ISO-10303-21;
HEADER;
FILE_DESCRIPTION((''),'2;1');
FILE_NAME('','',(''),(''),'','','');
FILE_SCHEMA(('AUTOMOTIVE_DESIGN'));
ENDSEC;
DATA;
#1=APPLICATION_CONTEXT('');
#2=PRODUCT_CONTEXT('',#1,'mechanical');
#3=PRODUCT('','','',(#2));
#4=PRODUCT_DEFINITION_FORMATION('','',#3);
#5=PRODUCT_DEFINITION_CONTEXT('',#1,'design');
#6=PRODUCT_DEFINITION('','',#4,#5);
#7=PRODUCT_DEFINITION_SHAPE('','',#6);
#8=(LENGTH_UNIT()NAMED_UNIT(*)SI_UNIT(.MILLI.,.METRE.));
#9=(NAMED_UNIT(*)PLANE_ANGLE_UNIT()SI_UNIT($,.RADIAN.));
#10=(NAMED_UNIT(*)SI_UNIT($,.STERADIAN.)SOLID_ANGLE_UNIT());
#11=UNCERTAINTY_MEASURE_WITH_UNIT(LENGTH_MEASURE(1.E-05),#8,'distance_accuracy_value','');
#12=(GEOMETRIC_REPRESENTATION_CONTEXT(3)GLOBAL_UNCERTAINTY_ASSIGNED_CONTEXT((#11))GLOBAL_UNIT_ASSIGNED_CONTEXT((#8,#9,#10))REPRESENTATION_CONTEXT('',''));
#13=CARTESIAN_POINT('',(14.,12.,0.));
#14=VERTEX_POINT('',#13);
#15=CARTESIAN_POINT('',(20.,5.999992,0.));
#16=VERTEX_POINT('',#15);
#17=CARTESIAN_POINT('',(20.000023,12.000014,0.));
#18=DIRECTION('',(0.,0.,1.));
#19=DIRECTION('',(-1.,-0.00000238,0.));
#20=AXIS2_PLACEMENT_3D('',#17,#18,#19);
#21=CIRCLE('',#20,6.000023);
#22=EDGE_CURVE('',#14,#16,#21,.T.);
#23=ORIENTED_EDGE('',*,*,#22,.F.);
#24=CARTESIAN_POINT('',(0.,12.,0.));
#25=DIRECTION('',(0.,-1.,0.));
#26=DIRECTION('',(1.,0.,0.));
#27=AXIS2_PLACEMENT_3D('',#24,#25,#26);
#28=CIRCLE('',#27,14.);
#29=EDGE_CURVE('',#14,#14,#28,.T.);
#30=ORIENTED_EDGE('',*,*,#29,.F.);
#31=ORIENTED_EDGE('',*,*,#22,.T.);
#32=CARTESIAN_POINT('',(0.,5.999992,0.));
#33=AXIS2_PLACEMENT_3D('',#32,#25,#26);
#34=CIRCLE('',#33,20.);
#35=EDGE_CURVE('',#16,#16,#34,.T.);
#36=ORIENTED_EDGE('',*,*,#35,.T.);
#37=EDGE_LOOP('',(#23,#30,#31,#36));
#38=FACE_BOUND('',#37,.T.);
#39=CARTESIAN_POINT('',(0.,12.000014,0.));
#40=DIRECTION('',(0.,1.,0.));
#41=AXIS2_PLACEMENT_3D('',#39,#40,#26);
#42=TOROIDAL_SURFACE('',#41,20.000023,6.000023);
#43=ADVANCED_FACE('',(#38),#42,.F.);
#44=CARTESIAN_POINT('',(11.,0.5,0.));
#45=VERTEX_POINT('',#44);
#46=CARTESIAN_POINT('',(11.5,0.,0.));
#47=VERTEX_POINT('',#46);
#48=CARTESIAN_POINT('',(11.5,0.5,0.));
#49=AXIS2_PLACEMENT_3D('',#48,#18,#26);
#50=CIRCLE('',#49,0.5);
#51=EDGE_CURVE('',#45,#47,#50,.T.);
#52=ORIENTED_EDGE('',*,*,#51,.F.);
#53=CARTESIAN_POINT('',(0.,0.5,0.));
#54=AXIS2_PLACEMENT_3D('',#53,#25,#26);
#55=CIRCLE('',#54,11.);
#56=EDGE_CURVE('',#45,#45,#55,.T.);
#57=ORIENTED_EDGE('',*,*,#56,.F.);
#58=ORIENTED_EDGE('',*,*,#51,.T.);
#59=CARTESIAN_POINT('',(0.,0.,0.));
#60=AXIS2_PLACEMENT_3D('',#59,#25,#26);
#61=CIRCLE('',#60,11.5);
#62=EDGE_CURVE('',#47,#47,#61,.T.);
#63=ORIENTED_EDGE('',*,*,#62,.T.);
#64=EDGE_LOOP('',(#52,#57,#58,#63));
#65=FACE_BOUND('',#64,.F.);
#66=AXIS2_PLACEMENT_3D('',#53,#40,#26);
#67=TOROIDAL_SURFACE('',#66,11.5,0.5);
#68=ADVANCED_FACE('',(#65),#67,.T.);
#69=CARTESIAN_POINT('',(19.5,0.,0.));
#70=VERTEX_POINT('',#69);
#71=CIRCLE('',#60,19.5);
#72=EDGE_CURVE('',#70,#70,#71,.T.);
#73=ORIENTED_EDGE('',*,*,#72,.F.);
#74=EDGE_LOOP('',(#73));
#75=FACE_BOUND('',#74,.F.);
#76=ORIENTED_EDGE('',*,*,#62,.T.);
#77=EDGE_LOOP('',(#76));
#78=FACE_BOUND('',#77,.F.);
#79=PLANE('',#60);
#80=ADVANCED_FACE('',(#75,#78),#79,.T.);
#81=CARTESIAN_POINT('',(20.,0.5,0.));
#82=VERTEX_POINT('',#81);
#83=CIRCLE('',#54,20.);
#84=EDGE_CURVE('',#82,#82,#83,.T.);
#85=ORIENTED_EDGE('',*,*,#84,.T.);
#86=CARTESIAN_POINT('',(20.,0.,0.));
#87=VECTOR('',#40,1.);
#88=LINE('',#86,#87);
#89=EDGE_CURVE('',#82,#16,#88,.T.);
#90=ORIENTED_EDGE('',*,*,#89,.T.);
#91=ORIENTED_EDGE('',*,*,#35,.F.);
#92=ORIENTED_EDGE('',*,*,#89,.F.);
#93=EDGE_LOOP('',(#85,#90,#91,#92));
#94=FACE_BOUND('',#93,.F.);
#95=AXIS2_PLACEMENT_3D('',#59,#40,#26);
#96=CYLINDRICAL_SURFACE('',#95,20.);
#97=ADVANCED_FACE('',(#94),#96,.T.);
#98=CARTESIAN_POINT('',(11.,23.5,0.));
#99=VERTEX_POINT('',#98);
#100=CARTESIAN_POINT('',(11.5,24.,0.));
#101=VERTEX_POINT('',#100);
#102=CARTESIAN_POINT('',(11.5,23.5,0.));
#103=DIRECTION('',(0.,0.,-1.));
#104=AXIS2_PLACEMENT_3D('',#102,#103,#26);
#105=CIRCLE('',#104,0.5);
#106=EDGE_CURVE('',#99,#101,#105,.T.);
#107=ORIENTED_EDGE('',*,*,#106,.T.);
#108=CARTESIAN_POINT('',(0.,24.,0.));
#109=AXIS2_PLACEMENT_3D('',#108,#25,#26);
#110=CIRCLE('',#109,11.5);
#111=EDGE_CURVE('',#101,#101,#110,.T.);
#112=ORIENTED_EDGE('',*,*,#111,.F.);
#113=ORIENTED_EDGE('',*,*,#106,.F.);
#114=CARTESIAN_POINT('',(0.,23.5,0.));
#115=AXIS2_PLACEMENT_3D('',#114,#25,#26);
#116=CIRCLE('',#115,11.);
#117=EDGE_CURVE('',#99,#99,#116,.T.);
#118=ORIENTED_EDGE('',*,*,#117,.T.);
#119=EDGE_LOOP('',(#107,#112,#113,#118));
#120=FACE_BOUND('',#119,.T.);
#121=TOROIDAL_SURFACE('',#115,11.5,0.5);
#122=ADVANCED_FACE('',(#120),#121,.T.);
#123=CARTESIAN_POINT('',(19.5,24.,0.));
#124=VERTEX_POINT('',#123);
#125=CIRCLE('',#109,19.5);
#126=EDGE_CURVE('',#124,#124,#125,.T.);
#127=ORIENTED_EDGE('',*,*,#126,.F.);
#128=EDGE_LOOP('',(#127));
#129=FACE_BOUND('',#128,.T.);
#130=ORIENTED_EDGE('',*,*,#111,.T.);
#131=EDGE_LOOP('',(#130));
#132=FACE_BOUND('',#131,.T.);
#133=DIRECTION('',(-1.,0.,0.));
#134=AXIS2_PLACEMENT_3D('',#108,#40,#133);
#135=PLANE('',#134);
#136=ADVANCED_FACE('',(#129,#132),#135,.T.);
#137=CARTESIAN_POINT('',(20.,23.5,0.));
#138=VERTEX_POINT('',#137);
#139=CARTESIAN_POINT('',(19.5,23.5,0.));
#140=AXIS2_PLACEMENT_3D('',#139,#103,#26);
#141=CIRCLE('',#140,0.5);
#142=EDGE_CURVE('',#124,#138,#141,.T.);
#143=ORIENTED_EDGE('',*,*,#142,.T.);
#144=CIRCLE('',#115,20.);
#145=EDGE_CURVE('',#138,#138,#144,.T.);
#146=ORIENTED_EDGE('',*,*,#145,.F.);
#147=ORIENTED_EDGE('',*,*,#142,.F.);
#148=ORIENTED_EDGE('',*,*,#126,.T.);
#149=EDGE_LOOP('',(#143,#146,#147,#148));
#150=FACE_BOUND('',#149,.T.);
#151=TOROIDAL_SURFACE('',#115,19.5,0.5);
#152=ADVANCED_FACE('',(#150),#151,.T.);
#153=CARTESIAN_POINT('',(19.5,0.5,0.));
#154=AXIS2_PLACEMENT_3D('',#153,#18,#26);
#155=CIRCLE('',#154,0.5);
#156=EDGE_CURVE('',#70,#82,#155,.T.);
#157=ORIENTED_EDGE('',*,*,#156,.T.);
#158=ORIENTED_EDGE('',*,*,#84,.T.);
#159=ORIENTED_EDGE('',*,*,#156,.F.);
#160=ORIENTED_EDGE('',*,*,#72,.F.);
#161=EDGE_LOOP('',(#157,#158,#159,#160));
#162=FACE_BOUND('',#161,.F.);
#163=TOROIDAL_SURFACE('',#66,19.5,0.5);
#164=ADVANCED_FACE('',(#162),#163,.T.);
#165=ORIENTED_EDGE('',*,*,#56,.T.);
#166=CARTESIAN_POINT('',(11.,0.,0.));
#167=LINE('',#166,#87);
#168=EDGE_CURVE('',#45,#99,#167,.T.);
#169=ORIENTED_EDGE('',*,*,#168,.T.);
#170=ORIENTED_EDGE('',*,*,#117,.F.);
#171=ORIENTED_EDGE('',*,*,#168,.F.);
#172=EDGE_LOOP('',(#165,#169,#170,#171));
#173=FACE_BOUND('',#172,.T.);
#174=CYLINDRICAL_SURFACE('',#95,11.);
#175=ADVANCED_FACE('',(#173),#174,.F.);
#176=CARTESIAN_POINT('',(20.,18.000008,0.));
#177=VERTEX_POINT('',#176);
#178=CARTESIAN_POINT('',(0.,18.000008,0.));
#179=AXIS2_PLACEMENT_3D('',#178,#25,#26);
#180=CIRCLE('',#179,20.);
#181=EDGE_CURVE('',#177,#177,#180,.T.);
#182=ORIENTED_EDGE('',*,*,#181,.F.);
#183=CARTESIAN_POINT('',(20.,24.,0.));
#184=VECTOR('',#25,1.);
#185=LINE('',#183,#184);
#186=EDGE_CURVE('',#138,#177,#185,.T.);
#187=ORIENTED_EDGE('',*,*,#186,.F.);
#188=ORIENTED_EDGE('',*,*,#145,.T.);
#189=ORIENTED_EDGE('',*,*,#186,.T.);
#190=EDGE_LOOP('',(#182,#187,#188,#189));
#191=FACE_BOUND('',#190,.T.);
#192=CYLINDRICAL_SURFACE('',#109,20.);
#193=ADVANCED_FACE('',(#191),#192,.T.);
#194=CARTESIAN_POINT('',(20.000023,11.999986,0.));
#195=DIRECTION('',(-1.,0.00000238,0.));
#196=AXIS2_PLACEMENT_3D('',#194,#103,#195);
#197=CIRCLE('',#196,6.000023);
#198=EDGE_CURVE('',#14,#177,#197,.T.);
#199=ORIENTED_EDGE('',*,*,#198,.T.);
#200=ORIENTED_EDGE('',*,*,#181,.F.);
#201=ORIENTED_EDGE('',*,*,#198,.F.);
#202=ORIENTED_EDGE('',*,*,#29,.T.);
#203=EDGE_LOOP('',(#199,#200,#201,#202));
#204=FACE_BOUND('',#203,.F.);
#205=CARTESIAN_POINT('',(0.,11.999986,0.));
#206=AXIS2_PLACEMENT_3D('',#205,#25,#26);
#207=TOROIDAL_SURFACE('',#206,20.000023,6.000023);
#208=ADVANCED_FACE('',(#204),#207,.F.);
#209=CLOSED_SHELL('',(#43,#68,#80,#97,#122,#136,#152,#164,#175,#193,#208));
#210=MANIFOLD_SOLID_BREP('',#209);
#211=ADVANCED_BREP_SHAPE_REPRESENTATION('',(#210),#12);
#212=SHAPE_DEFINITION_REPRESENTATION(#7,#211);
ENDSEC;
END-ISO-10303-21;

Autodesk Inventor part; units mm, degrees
ref_plane "YZ Plane" through (0, 0, 0) normal (1, 0, 0) x (0, 1, 0)
ref_plane "XZ Plane" through (0, 0, 0) normal (0, 1, 0) x (-1, 0, 0)
ref_plane "XY Plane" through (0, 0, 0) normal (0, 0, 1) x (1, 0, 0)
sketch "Sketch1" plane through (0, 0, 0) normal (0, 0, 1) x (1, 0, 0)
  line L0 (0, 0) -> (20, 0)
  line L1 (20, 0) -> (20, 12)
  line L2 (20, 12) -> (0, 12)
  line L3 (0, 12) -> (0, 0)
  line L4 (0, 0) -> (11, 0)
  line L5 (11, 0) -> (11, 12)
  line L6 (11, 12) -> (0, 12)
  line L7 (0, 12) -> (0, 0)
  line L8 (20, 12) -> (20, 12)
  arc A0 (14, 12) -> (23.7265, 7.2975) centre (20, 12) ccw
  point P0 (20, 6)
  dimension "d0" = 20
  dimension "d1" = 12
  dimension "d2" = 11
  dimension "d3" = 0
  dimension "d4" = 6
revolve "Revolution1" add sketch "Sketch1" angle 360 about axis through (0, 12, 0) along (0, -1, 0) contours L5 L2 A0 L1 L0
mirror "Mirror1" about plane through (14, 12, 0) normal (0, 1, 0) of "Revolution1"
fillet "Fillet1" radius 0.5 4 edges at (-20, 0, 0) (-11, 0, 0) (-20, 24, 0) (-11, 24, 0)
properties part number "DriveWheelHalf"
